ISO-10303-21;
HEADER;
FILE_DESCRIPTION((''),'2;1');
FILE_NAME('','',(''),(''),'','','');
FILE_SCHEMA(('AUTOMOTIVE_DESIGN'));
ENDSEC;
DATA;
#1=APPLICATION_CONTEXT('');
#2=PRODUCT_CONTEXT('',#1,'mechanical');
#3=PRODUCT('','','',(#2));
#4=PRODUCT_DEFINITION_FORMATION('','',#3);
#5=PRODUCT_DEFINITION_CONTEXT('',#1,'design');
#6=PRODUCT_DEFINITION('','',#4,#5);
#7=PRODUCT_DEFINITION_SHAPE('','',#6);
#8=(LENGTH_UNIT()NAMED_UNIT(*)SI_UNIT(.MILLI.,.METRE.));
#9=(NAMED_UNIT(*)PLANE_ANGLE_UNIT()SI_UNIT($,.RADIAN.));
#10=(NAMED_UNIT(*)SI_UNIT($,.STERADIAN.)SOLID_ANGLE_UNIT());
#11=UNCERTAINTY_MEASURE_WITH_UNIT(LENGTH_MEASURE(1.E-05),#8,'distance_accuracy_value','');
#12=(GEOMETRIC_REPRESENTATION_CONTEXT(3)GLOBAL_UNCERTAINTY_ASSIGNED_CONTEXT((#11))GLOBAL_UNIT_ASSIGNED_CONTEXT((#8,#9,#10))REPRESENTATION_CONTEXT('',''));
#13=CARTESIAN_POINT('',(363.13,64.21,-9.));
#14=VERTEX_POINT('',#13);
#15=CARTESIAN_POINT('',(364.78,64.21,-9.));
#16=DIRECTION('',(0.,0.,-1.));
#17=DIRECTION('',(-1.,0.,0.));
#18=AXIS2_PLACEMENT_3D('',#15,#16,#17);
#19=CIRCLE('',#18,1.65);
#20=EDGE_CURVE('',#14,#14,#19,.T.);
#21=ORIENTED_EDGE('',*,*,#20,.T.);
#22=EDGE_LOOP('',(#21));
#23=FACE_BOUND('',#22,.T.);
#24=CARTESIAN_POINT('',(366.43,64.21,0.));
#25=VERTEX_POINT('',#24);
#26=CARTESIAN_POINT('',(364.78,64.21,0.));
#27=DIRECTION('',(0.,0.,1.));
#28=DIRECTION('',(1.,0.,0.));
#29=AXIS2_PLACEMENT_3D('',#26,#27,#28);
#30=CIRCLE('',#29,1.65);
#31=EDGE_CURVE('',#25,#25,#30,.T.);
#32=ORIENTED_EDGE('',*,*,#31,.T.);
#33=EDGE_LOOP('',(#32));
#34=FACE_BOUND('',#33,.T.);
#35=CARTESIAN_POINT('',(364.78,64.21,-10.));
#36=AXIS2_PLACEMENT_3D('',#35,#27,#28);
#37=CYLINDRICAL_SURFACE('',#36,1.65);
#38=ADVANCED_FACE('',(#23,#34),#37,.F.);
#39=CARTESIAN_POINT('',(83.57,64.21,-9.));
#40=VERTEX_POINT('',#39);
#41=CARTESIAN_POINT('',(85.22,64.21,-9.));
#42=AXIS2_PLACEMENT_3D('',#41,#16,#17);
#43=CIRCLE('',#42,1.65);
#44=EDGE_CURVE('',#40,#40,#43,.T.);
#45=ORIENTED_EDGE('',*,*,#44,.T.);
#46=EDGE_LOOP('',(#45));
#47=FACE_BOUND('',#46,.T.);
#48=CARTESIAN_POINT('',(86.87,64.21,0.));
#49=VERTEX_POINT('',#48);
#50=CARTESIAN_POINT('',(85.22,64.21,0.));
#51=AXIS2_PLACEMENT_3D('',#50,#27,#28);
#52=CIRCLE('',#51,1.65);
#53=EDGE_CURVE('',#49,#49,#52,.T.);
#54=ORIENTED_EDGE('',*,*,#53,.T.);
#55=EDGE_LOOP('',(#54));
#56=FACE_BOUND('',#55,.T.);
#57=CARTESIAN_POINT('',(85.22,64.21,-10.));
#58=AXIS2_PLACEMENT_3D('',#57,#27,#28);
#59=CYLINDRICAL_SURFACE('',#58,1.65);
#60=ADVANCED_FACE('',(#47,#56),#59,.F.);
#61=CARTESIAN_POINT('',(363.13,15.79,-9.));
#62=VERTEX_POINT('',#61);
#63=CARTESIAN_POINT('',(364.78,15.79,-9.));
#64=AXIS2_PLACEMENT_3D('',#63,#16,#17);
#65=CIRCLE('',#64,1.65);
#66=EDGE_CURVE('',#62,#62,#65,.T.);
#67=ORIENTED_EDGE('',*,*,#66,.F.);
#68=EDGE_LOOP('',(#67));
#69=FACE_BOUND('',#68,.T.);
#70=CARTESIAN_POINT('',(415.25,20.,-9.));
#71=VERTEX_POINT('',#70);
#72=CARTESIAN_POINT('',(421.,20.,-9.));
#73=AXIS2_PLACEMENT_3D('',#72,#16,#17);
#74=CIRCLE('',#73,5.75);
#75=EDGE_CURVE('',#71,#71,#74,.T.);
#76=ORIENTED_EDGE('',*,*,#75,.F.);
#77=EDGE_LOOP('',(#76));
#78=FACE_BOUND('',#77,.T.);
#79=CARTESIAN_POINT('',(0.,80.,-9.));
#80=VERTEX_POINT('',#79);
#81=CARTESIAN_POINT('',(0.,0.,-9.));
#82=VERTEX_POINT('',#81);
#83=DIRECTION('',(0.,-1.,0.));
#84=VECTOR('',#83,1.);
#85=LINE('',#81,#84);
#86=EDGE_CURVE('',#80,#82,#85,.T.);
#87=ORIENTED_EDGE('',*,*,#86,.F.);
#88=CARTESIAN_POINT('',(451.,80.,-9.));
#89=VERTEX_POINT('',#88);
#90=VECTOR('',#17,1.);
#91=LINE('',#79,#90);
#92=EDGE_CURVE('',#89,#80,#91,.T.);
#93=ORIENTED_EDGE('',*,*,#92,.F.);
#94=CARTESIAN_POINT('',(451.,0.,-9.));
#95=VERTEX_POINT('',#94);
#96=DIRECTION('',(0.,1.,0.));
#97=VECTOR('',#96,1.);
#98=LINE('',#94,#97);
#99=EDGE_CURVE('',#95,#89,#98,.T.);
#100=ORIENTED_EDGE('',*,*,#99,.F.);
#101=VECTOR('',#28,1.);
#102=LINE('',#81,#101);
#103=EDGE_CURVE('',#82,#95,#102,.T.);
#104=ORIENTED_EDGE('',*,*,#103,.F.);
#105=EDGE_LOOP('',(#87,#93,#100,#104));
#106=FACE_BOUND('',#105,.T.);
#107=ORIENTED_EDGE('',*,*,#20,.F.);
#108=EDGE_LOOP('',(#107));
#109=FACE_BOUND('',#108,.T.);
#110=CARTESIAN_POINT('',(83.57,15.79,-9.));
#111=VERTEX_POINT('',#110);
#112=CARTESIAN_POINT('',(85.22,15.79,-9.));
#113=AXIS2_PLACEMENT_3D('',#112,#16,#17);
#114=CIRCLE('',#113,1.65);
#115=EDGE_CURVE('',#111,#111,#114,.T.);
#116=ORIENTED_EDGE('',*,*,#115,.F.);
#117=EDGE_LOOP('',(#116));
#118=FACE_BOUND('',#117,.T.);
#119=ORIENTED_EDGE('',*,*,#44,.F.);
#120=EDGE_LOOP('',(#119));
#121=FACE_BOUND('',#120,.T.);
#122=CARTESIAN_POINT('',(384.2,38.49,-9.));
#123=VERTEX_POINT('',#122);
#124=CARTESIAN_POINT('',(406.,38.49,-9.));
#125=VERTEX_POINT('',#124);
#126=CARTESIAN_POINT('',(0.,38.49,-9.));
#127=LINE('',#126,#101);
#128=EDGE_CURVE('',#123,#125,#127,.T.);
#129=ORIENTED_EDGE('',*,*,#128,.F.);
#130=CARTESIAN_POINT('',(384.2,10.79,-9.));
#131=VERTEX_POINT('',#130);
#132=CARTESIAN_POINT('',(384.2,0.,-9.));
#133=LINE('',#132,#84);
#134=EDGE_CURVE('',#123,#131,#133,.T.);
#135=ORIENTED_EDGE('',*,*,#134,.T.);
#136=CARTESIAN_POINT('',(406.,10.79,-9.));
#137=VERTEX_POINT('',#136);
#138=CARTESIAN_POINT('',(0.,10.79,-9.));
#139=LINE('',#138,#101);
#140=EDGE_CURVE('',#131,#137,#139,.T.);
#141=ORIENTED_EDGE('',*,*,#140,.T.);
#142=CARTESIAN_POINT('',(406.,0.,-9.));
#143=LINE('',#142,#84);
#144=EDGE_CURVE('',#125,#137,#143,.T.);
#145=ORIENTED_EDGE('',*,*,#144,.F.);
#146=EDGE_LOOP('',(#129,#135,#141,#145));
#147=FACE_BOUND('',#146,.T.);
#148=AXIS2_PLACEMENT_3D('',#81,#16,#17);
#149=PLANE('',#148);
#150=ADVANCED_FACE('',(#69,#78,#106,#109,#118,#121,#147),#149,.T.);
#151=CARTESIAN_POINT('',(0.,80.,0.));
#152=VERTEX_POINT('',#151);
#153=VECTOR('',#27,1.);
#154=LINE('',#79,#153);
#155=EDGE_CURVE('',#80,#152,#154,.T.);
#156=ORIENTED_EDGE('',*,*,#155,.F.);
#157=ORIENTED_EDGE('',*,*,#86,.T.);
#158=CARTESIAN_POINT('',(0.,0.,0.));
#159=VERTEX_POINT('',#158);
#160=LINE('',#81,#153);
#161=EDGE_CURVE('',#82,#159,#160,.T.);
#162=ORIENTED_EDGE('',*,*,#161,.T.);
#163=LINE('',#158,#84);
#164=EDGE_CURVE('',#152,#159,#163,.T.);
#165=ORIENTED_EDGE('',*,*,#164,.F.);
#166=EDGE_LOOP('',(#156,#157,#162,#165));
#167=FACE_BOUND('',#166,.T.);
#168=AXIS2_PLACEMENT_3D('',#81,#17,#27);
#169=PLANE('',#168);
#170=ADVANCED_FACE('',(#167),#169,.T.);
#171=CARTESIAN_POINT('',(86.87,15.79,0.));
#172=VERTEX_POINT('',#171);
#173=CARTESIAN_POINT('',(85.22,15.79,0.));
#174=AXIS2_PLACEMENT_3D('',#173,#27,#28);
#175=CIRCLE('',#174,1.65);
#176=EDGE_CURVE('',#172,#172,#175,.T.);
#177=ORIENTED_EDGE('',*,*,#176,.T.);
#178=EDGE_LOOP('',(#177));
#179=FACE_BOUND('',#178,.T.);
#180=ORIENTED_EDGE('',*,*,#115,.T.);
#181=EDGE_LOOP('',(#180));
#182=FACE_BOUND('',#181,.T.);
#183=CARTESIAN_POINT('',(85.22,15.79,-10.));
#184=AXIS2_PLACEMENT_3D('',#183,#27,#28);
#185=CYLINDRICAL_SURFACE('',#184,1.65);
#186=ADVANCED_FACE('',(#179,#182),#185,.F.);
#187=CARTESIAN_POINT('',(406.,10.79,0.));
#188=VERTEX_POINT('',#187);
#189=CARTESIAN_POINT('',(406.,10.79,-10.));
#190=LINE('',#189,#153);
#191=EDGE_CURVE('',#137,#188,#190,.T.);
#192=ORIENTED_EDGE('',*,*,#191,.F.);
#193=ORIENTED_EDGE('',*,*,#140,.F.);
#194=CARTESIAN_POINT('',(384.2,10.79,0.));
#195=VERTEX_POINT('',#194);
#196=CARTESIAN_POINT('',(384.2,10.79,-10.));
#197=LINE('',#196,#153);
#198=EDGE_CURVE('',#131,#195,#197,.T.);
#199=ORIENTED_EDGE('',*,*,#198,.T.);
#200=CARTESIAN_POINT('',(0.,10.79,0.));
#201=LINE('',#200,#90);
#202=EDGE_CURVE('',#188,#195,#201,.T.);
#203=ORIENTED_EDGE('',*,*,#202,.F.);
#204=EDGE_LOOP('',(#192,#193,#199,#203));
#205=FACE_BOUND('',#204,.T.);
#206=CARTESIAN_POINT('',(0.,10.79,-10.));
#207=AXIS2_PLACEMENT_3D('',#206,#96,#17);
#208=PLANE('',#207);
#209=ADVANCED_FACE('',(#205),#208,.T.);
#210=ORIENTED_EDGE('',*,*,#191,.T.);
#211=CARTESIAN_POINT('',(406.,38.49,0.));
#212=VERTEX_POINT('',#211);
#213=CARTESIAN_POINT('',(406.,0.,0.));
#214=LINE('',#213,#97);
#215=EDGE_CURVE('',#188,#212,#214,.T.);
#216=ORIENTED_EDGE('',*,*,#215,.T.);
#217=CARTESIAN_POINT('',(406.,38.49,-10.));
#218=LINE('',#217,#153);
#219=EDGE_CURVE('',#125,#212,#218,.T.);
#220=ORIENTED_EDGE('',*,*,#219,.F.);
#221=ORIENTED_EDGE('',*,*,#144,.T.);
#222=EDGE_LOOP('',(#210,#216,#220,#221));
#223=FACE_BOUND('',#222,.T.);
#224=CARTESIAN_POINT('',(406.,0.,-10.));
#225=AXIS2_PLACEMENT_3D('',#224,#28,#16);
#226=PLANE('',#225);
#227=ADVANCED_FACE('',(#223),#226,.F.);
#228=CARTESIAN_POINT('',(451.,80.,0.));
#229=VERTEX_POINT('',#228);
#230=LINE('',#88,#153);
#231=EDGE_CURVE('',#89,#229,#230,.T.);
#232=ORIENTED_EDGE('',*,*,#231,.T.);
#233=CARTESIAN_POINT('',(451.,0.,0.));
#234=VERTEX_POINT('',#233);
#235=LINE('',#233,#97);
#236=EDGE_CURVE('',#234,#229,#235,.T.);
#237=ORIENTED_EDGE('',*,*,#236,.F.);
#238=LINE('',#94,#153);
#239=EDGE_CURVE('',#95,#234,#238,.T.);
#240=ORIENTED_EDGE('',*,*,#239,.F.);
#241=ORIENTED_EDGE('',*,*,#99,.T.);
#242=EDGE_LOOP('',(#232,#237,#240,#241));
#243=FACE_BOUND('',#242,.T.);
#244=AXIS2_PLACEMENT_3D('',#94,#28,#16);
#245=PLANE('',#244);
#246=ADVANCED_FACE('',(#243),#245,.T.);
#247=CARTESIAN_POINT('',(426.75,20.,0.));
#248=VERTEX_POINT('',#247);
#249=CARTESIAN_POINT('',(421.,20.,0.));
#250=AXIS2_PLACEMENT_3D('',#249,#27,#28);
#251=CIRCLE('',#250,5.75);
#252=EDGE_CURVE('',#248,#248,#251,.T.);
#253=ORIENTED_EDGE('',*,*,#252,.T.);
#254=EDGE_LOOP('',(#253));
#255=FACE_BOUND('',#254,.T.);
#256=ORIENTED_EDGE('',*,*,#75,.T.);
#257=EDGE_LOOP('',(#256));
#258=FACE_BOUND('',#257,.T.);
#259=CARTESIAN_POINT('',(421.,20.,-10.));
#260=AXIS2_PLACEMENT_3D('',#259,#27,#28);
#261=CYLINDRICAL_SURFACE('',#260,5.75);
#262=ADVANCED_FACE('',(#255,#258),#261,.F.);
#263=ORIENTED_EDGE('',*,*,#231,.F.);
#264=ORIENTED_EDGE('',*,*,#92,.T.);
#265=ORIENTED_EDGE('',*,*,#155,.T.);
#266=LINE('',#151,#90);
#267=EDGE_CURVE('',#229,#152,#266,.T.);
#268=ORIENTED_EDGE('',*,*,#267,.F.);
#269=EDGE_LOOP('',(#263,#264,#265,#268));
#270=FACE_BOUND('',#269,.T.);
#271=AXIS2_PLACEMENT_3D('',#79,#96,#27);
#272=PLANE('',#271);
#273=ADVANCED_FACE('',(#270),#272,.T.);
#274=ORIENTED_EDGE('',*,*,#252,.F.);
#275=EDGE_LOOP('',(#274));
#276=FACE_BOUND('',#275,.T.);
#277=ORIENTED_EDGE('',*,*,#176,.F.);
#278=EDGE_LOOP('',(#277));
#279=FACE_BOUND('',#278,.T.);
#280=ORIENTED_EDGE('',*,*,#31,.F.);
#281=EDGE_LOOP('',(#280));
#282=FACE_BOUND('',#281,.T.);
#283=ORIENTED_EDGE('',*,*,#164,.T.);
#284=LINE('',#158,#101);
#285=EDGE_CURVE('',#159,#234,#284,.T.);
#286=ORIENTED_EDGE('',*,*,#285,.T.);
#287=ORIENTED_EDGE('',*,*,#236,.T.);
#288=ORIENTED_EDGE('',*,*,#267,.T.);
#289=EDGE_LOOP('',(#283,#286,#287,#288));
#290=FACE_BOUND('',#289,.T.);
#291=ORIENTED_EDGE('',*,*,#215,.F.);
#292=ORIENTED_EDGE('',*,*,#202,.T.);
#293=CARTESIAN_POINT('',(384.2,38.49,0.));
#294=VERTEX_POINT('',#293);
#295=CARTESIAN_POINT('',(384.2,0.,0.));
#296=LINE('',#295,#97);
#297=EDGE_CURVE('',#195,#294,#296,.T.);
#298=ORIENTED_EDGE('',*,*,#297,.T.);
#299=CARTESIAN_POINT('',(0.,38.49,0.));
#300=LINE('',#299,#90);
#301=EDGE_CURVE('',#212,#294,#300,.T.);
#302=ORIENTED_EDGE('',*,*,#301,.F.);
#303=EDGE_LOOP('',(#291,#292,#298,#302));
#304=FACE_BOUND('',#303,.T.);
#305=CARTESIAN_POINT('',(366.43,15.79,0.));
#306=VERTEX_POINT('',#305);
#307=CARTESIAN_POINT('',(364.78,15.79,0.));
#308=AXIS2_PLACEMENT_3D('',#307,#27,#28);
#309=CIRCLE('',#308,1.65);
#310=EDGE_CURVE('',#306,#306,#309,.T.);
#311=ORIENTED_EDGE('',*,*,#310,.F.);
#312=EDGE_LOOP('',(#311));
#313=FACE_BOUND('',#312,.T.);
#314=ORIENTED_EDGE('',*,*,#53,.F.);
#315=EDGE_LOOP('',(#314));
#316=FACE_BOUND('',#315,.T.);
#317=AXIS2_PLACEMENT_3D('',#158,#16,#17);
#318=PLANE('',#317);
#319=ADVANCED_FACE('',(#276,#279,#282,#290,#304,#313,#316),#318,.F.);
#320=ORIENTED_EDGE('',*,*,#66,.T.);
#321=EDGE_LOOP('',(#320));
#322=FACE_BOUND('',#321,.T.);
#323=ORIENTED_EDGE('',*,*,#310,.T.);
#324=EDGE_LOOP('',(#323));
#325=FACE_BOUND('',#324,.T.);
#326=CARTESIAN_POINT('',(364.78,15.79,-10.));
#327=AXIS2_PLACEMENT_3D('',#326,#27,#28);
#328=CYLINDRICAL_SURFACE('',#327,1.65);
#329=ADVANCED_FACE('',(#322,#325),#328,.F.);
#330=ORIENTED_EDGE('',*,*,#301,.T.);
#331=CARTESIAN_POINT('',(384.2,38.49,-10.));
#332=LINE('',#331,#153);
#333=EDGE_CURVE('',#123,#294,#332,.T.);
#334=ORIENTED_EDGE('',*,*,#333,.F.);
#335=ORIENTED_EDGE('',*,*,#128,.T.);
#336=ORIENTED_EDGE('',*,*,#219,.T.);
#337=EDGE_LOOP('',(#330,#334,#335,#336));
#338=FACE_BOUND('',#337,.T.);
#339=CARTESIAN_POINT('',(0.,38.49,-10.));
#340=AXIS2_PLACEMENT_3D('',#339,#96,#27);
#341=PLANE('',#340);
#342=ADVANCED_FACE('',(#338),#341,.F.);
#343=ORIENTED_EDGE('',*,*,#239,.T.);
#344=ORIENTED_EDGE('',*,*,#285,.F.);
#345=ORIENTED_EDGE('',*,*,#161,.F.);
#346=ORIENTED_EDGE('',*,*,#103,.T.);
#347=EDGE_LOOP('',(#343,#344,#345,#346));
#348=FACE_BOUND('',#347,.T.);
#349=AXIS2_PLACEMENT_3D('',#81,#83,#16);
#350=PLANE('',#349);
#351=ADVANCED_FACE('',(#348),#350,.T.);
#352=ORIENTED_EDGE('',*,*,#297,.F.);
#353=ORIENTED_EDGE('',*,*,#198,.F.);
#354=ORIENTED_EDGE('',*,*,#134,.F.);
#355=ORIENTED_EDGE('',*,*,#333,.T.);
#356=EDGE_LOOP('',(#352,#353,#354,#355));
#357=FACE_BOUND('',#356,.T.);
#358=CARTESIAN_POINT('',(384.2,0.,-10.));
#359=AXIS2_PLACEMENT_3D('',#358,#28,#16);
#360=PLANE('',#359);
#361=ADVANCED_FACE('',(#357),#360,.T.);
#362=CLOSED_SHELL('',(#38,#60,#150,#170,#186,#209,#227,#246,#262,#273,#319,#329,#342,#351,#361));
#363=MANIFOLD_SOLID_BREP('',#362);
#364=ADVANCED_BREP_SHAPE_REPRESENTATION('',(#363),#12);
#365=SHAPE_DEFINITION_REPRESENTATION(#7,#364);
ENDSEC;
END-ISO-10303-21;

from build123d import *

# Parameters (mm, degrees)
SZKIC1_W                    = 451
SZKIC1_H                    = 80
DODANIE_WYCI_GNI_CIE1_DEPTH = 9
SZKIC2_W                    = 21.8
SZKIC2_H                    = 27.7
SZKIC2_R                    = 5.75
SZKIC2_R_2                  = 1.65
WYTNIJ_WYCI_GNI_CIE1_DEPTH  = 10


with BuildPart() as part:
    # Szkic1 → Dodanie-wyciągnięcie1 (new body)
    with BuildSketch(Plane.XY):
        with Locations((225.5, 40)):
            Rectangle(SZKIC1_W, SZKIC1_H)
    extrude(amount=-DODANIE_WYCI_GNI_CIE1_DEPTH)

    # Szkic2 → Wytnij-wyciągnięcie1 (cut)
    with BuildSketch(Plane.XY):
        with Locations((395.1, 24.64)):
            Rectangle(SZKIC2_W, SZKIC2_H)
        with Locations((421, 20)):
            Circle(SZKIC2_R)
        with Locations((364.78, 64.21)):
            Circle(SZKIC2_R_2)
        with Locations((364.78, 15.79)):
            Circle(SZKIC2_R_2)
        with Locations((85.22, 64.21)):
            Circle(SZKIC2_R_2)
        with Locations((85.22, 15.79)):
            Circle(SZKIC2_R_2)
    extrude(amount=-WYTNIJ_WYCI_GNI_CIE1_DEPTH, mode=Mode.SUBTRACT)


solid = part.part
